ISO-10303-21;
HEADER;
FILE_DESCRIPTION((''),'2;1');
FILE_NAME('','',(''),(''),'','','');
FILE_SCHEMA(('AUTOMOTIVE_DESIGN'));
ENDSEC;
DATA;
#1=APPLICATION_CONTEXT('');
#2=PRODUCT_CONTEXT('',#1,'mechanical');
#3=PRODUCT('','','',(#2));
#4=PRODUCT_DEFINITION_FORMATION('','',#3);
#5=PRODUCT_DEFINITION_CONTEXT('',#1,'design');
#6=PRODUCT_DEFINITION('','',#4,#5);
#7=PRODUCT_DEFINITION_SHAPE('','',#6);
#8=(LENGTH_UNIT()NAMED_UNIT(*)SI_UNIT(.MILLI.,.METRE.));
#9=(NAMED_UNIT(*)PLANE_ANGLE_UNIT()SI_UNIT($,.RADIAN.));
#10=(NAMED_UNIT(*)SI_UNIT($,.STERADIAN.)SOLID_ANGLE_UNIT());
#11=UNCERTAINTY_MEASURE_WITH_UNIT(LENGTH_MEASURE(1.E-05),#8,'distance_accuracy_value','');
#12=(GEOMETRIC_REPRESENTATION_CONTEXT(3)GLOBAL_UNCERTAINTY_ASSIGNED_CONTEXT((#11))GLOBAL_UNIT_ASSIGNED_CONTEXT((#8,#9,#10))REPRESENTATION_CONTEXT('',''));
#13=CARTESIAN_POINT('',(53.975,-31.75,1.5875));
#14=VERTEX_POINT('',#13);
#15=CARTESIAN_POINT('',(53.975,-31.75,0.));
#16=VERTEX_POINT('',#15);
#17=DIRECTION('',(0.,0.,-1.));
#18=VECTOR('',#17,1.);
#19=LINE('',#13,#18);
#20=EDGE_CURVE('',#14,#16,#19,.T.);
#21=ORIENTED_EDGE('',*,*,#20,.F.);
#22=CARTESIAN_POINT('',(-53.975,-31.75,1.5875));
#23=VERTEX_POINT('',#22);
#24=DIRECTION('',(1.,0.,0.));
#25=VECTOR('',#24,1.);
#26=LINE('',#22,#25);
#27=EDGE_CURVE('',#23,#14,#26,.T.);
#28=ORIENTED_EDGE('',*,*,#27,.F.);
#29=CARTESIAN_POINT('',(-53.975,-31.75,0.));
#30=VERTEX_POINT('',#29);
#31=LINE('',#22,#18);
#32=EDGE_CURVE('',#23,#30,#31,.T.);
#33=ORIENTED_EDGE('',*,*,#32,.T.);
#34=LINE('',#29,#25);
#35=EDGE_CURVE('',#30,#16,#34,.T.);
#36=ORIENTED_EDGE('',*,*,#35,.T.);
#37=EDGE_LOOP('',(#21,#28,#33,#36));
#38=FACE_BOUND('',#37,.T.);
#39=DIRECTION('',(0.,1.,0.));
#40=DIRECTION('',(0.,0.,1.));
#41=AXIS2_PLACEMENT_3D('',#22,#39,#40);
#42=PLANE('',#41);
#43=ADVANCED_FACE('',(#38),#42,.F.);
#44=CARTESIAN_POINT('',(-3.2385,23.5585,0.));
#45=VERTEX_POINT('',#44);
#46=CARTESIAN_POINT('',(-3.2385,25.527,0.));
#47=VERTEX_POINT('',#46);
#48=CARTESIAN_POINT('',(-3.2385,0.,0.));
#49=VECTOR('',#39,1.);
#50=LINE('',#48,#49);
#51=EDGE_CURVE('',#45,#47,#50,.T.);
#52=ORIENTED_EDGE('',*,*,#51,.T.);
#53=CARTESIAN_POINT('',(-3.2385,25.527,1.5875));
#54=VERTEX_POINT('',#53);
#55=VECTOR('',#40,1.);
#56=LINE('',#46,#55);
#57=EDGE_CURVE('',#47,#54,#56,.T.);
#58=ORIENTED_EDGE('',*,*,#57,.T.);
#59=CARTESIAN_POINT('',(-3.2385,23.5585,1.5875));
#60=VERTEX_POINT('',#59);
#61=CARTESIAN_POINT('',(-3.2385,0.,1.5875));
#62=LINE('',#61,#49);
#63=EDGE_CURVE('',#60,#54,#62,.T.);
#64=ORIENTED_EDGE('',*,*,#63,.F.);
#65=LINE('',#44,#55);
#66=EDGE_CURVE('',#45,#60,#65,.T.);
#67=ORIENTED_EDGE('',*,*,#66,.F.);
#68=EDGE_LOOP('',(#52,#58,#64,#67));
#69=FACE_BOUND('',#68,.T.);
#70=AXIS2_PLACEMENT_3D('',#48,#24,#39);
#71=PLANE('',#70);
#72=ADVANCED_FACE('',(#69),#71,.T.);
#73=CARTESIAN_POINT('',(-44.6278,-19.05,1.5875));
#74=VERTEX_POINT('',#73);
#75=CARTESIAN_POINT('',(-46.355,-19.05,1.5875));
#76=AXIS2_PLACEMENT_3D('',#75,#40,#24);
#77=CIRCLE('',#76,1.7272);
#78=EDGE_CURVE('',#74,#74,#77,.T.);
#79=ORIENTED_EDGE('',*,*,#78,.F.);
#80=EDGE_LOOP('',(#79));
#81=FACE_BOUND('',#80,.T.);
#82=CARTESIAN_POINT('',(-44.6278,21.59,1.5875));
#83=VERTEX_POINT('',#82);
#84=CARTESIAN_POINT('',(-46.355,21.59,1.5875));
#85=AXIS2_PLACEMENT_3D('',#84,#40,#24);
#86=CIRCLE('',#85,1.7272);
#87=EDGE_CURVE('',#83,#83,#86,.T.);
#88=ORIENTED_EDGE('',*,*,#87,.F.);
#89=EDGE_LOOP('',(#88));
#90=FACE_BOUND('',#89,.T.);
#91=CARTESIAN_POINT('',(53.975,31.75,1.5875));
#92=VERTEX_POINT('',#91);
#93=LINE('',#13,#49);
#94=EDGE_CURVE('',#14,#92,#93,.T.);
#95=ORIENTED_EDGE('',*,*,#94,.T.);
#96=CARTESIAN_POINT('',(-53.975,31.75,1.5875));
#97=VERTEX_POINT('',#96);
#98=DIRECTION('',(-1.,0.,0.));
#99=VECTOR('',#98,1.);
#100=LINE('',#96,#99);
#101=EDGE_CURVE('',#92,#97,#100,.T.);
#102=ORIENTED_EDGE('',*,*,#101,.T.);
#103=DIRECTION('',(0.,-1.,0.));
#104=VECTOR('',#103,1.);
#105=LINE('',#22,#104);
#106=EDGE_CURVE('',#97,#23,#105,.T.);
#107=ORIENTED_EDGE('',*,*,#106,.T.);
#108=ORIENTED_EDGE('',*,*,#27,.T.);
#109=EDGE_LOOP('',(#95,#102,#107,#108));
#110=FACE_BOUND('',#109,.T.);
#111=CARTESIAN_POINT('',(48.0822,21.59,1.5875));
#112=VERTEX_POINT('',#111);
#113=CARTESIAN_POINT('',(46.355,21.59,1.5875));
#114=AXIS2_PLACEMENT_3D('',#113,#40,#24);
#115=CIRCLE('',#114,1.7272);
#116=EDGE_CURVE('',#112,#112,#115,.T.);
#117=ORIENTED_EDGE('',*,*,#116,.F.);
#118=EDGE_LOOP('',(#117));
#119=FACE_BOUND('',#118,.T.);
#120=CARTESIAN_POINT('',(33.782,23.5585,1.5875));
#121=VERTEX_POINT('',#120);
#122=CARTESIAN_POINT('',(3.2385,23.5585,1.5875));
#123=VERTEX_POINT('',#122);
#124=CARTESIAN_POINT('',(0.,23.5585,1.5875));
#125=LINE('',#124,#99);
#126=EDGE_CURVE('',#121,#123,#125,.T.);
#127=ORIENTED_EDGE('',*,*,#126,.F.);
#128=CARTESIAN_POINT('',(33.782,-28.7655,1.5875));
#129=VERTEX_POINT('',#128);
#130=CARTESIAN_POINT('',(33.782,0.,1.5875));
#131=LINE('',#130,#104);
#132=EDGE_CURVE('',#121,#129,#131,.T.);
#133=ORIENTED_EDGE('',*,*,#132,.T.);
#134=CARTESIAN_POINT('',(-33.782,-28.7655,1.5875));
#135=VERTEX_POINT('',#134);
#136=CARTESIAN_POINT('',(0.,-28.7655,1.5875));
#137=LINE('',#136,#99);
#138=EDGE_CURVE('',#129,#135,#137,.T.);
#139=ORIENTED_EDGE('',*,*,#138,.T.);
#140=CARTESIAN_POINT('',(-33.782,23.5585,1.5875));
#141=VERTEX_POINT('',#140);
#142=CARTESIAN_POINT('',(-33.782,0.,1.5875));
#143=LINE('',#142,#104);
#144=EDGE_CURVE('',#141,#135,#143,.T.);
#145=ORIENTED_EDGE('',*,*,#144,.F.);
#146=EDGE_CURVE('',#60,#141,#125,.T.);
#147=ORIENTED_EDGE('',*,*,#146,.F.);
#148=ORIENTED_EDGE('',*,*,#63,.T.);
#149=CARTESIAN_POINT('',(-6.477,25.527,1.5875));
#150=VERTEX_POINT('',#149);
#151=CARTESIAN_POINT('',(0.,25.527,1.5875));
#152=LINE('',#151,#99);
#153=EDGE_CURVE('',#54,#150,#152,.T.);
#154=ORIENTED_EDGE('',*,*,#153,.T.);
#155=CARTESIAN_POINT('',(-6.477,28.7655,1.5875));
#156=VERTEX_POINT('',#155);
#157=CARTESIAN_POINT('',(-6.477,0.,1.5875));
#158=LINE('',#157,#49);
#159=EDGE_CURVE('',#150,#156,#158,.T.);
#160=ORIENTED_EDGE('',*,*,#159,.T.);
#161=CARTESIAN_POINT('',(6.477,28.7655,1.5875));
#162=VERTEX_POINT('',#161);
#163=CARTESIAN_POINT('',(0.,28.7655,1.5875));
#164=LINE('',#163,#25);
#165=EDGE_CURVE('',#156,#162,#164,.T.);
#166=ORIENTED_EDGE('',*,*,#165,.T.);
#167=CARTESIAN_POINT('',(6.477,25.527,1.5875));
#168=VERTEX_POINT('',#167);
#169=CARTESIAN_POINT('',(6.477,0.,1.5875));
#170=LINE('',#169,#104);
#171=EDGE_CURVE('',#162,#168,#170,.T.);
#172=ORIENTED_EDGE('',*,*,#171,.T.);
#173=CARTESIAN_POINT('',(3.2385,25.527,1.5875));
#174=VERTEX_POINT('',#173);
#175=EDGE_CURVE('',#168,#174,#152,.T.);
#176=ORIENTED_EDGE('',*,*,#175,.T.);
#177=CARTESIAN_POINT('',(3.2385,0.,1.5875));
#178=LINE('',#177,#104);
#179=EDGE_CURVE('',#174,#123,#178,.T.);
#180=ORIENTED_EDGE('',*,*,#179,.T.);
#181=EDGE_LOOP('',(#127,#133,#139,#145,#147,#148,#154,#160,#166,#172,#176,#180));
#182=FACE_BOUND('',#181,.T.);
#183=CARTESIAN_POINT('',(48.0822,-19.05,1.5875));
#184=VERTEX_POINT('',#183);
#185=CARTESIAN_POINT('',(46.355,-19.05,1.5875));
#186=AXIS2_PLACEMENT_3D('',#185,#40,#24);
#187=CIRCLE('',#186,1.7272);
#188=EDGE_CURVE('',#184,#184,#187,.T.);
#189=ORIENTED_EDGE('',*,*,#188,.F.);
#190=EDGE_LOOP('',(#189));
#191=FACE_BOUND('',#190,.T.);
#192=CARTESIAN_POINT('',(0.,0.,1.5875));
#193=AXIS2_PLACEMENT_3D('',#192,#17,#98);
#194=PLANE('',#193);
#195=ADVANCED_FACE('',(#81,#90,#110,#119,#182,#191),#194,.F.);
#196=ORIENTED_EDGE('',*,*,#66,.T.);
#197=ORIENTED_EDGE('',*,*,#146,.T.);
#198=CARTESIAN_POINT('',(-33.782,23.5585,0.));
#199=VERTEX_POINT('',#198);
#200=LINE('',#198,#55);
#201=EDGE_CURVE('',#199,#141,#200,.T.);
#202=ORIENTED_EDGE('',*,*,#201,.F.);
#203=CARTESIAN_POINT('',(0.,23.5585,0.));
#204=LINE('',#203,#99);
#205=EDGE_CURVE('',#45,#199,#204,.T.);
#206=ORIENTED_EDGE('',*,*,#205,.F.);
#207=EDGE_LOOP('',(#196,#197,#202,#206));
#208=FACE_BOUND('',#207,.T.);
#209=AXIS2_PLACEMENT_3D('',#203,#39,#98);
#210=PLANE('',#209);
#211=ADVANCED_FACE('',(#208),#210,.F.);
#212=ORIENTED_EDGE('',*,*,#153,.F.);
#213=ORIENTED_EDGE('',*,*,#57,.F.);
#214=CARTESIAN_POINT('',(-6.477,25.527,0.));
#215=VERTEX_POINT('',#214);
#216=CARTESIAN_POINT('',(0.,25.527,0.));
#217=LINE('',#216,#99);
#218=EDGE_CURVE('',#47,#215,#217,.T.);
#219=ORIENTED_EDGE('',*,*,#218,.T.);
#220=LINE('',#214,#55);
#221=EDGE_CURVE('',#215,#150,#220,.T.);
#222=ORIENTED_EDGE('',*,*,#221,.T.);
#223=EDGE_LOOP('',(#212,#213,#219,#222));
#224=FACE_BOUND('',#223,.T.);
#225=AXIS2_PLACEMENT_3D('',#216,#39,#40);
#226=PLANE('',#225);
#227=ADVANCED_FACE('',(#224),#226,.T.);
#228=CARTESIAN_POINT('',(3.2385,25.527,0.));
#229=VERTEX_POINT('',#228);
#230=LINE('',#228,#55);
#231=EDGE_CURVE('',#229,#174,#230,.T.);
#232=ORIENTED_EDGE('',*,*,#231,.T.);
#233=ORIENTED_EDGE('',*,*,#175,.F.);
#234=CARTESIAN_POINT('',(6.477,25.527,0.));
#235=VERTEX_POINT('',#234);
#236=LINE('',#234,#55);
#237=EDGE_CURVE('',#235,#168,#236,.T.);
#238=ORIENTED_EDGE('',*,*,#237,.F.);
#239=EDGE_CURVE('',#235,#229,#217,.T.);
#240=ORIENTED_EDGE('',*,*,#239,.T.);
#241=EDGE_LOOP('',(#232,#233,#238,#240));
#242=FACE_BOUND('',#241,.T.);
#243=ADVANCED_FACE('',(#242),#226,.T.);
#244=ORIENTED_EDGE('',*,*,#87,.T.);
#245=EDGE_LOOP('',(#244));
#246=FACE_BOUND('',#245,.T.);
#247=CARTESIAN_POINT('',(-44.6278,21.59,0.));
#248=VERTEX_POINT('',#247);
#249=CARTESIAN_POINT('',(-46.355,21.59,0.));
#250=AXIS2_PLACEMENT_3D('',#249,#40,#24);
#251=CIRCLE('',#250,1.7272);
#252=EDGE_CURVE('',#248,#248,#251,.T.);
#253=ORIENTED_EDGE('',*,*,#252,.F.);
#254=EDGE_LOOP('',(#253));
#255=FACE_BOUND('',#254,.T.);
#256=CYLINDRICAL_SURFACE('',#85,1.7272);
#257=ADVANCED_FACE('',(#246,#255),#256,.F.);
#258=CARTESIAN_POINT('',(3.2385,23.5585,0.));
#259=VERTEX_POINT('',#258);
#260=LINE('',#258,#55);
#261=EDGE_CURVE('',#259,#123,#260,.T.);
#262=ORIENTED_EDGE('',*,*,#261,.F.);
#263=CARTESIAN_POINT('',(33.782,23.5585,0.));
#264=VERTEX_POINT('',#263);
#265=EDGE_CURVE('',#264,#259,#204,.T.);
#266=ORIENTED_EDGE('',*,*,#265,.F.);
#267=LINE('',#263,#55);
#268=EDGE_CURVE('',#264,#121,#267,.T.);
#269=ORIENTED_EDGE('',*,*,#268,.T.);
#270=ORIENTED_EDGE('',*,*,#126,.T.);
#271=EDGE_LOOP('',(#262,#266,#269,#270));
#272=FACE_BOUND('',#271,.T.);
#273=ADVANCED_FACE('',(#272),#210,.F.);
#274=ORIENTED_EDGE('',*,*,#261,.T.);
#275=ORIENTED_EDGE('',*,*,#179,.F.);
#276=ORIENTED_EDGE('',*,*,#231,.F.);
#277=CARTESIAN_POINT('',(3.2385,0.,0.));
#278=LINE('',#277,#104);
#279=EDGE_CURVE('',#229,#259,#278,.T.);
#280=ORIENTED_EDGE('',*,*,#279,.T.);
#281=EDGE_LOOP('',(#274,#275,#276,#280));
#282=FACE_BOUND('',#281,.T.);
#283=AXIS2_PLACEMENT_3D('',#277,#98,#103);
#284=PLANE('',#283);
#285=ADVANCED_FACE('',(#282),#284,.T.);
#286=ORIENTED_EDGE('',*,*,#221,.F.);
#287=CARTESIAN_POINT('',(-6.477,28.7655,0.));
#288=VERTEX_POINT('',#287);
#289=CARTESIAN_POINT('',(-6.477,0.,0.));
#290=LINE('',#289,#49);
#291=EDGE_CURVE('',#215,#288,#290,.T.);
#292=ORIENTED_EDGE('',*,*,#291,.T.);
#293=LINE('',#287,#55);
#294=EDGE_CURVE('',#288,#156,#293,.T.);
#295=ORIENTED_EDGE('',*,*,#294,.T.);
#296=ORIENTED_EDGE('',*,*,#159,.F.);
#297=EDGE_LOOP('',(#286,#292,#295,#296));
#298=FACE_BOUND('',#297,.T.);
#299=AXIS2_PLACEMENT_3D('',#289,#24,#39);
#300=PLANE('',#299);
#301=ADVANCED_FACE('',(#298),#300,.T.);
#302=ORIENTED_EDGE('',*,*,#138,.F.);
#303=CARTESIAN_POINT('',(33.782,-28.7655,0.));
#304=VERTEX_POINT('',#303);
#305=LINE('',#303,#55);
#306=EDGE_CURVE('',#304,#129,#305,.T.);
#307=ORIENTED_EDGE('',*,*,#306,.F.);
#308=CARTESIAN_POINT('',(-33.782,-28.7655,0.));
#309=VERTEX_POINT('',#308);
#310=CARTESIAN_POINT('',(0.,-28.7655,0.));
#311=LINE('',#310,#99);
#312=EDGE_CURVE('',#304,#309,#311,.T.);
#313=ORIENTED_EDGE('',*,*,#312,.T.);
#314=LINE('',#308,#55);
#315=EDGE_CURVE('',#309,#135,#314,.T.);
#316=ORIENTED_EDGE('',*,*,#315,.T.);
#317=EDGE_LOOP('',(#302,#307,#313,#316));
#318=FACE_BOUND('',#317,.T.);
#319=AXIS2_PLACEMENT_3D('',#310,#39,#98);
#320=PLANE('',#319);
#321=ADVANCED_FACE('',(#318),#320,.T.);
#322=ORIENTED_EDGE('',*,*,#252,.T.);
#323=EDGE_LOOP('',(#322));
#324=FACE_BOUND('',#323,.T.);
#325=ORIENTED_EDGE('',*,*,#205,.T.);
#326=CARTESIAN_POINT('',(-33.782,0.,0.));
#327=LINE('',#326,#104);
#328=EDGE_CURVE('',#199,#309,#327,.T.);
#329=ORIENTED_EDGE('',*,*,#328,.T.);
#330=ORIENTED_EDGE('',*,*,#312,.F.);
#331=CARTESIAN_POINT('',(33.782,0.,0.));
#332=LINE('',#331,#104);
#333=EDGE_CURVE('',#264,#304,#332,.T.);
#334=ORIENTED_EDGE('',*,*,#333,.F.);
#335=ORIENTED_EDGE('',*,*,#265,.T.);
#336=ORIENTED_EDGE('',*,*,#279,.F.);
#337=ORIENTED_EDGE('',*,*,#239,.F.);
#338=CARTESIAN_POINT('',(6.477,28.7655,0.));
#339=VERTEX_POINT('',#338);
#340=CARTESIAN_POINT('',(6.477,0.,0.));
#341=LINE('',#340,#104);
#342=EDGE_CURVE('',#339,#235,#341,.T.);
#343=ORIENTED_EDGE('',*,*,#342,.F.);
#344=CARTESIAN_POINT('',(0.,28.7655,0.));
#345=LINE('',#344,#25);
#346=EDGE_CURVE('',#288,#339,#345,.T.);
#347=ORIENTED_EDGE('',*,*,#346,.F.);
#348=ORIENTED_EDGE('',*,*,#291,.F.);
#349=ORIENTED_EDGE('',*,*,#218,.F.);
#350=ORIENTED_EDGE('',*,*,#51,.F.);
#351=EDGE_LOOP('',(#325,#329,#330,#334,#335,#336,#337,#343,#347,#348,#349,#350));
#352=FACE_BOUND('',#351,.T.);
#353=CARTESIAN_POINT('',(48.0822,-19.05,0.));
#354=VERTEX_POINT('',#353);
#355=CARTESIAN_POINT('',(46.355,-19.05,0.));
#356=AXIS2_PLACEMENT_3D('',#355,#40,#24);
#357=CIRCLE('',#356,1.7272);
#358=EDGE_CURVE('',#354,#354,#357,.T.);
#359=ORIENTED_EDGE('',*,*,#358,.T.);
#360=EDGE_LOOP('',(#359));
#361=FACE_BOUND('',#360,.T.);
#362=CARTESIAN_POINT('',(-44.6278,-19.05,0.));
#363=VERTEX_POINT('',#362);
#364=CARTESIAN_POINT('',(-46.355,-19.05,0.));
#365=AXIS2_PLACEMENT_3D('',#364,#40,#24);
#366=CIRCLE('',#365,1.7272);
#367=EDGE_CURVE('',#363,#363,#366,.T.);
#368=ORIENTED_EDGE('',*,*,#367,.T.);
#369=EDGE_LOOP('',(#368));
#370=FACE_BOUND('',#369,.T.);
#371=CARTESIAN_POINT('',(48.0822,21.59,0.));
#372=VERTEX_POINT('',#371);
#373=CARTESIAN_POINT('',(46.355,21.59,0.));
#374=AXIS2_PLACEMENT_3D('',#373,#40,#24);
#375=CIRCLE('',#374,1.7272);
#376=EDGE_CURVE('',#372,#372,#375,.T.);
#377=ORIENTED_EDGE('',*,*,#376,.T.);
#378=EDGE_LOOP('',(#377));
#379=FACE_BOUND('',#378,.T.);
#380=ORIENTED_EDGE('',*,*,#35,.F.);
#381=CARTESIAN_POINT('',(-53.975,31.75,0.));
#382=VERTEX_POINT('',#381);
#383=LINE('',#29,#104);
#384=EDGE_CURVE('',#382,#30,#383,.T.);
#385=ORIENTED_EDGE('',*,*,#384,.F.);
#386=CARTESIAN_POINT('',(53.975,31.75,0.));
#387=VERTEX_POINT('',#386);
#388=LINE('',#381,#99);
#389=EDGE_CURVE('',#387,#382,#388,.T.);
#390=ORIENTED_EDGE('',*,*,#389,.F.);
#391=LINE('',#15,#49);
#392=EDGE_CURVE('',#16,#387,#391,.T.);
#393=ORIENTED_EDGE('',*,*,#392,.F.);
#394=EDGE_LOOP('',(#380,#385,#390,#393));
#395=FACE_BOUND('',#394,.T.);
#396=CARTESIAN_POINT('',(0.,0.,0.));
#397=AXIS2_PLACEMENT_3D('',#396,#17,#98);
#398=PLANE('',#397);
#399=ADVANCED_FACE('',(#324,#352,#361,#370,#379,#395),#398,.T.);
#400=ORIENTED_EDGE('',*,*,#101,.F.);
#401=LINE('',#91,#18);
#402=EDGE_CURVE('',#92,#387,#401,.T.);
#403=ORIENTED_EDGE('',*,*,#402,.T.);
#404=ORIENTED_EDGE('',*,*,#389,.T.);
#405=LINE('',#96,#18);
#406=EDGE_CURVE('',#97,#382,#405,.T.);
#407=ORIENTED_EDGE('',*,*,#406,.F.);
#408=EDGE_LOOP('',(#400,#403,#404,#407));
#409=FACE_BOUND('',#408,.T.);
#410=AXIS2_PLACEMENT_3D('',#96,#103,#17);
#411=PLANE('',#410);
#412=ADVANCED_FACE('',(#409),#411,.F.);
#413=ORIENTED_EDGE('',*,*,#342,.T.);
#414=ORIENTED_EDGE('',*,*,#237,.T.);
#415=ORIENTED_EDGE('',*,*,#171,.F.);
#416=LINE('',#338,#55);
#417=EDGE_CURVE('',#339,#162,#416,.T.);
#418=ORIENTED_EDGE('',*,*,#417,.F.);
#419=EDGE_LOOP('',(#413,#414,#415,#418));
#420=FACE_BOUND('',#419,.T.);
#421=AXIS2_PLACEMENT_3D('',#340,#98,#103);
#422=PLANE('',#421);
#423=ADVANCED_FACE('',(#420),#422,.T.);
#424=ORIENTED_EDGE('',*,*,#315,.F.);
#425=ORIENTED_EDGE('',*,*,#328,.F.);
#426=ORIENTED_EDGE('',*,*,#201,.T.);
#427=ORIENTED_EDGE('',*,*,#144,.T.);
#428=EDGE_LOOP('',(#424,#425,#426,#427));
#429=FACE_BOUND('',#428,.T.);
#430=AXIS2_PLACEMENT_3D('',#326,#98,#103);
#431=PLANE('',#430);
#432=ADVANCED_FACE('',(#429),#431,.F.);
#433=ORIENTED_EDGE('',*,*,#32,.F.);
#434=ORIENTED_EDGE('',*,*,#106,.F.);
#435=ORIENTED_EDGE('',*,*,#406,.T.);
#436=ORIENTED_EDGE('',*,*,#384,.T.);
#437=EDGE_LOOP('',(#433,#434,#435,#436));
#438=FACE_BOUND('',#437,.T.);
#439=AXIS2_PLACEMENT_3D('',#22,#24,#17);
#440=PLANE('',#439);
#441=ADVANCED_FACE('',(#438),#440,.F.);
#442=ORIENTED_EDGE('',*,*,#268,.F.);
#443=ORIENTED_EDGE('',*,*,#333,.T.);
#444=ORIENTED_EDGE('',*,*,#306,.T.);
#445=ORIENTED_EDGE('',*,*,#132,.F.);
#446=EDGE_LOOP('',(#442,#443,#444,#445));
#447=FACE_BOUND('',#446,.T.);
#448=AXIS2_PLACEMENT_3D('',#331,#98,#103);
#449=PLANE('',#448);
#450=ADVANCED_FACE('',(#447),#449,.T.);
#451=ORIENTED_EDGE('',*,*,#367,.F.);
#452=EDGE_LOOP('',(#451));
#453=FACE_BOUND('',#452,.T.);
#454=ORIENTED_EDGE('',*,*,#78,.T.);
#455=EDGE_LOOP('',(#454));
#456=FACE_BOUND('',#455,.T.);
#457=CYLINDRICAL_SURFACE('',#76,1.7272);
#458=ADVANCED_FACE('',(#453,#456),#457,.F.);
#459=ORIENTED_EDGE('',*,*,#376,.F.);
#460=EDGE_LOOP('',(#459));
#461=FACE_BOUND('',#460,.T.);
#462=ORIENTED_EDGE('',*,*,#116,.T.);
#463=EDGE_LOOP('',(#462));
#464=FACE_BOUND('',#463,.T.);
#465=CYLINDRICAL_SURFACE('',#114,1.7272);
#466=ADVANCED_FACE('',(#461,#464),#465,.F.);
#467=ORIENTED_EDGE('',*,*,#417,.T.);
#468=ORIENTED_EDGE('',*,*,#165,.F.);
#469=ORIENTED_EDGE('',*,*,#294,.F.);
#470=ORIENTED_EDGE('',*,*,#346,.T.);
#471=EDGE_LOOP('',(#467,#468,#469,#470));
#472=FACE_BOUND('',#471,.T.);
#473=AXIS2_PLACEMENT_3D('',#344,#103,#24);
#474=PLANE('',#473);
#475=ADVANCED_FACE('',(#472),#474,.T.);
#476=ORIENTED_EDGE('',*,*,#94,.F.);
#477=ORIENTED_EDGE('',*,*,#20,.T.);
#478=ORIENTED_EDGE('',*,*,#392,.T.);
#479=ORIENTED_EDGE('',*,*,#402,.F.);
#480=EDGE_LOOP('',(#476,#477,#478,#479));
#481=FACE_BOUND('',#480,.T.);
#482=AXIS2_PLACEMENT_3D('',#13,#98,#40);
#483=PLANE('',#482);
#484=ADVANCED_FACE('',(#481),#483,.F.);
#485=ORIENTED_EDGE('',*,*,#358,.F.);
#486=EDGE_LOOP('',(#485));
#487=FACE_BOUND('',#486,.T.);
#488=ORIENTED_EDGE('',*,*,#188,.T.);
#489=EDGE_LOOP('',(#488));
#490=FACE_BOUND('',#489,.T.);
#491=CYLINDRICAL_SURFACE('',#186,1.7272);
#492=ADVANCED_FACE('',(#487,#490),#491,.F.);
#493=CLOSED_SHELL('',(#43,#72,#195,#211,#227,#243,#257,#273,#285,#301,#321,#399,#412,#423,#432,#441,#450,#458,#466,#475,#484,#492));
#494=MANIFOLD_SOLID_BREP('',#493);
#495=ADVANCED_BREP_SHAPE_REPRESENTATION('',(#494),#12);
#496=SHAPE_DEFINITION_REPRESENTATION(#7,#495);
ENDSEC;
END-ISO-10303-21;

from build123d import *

# Parameters (mm, degrees)
SKETCH1_W             = 107.95
SKETCH1_H             = 63.5
BOSS_EXTRUDE1_DEPTH   = 1.5875
CUT_EXTRUDE1_DEPTH    = 63.640907411
F_4_CLEARANCE_HOLE1_D = 3.4544


with BuildPart() as part:
    # Sketch1 → Boss-Extrude1 (new body)
    with BuildSketch(Plane.XY):
        Rectangle(SKETCH1_W, SKETCH1_H)
    extrude(amount=BOSS_EXTRUDE1_DEPTH)

    # Sketch2 → Cut-Extrude1 (cut, through all)
    with BuildSketch(Plane.XY.offset(1.5875)):
        Polygon((-3.2385, 25.527), (-3.2385, 23.5585), (-33.782, 23.5585), (-33.782, -28.7655), (33.782, -28.7655), (33.782, 23.5585), (3.2385, 23.5585), (3.2385, 25.527), (6.477, 25.527), (6.477, 28.7655), (-6.477, 28.7655), (-6.477, 25.527), align=None)
    extrude(amount=-CUT_EXTRUDE1_DEPTH, mode=Mode.SUBTRACT)

    # #4 Clearance Hole1 (through all)
    with Locations(Plane.XY.offset(1.5875)):
        with Locations((-46.355, 21.59), (-46.355, -19.05), (46.355, 21.59), (46.355, -19.05)):
            Hole(F_4_CLEARANCE_HOLE1_D / 2)


solid = part.part
